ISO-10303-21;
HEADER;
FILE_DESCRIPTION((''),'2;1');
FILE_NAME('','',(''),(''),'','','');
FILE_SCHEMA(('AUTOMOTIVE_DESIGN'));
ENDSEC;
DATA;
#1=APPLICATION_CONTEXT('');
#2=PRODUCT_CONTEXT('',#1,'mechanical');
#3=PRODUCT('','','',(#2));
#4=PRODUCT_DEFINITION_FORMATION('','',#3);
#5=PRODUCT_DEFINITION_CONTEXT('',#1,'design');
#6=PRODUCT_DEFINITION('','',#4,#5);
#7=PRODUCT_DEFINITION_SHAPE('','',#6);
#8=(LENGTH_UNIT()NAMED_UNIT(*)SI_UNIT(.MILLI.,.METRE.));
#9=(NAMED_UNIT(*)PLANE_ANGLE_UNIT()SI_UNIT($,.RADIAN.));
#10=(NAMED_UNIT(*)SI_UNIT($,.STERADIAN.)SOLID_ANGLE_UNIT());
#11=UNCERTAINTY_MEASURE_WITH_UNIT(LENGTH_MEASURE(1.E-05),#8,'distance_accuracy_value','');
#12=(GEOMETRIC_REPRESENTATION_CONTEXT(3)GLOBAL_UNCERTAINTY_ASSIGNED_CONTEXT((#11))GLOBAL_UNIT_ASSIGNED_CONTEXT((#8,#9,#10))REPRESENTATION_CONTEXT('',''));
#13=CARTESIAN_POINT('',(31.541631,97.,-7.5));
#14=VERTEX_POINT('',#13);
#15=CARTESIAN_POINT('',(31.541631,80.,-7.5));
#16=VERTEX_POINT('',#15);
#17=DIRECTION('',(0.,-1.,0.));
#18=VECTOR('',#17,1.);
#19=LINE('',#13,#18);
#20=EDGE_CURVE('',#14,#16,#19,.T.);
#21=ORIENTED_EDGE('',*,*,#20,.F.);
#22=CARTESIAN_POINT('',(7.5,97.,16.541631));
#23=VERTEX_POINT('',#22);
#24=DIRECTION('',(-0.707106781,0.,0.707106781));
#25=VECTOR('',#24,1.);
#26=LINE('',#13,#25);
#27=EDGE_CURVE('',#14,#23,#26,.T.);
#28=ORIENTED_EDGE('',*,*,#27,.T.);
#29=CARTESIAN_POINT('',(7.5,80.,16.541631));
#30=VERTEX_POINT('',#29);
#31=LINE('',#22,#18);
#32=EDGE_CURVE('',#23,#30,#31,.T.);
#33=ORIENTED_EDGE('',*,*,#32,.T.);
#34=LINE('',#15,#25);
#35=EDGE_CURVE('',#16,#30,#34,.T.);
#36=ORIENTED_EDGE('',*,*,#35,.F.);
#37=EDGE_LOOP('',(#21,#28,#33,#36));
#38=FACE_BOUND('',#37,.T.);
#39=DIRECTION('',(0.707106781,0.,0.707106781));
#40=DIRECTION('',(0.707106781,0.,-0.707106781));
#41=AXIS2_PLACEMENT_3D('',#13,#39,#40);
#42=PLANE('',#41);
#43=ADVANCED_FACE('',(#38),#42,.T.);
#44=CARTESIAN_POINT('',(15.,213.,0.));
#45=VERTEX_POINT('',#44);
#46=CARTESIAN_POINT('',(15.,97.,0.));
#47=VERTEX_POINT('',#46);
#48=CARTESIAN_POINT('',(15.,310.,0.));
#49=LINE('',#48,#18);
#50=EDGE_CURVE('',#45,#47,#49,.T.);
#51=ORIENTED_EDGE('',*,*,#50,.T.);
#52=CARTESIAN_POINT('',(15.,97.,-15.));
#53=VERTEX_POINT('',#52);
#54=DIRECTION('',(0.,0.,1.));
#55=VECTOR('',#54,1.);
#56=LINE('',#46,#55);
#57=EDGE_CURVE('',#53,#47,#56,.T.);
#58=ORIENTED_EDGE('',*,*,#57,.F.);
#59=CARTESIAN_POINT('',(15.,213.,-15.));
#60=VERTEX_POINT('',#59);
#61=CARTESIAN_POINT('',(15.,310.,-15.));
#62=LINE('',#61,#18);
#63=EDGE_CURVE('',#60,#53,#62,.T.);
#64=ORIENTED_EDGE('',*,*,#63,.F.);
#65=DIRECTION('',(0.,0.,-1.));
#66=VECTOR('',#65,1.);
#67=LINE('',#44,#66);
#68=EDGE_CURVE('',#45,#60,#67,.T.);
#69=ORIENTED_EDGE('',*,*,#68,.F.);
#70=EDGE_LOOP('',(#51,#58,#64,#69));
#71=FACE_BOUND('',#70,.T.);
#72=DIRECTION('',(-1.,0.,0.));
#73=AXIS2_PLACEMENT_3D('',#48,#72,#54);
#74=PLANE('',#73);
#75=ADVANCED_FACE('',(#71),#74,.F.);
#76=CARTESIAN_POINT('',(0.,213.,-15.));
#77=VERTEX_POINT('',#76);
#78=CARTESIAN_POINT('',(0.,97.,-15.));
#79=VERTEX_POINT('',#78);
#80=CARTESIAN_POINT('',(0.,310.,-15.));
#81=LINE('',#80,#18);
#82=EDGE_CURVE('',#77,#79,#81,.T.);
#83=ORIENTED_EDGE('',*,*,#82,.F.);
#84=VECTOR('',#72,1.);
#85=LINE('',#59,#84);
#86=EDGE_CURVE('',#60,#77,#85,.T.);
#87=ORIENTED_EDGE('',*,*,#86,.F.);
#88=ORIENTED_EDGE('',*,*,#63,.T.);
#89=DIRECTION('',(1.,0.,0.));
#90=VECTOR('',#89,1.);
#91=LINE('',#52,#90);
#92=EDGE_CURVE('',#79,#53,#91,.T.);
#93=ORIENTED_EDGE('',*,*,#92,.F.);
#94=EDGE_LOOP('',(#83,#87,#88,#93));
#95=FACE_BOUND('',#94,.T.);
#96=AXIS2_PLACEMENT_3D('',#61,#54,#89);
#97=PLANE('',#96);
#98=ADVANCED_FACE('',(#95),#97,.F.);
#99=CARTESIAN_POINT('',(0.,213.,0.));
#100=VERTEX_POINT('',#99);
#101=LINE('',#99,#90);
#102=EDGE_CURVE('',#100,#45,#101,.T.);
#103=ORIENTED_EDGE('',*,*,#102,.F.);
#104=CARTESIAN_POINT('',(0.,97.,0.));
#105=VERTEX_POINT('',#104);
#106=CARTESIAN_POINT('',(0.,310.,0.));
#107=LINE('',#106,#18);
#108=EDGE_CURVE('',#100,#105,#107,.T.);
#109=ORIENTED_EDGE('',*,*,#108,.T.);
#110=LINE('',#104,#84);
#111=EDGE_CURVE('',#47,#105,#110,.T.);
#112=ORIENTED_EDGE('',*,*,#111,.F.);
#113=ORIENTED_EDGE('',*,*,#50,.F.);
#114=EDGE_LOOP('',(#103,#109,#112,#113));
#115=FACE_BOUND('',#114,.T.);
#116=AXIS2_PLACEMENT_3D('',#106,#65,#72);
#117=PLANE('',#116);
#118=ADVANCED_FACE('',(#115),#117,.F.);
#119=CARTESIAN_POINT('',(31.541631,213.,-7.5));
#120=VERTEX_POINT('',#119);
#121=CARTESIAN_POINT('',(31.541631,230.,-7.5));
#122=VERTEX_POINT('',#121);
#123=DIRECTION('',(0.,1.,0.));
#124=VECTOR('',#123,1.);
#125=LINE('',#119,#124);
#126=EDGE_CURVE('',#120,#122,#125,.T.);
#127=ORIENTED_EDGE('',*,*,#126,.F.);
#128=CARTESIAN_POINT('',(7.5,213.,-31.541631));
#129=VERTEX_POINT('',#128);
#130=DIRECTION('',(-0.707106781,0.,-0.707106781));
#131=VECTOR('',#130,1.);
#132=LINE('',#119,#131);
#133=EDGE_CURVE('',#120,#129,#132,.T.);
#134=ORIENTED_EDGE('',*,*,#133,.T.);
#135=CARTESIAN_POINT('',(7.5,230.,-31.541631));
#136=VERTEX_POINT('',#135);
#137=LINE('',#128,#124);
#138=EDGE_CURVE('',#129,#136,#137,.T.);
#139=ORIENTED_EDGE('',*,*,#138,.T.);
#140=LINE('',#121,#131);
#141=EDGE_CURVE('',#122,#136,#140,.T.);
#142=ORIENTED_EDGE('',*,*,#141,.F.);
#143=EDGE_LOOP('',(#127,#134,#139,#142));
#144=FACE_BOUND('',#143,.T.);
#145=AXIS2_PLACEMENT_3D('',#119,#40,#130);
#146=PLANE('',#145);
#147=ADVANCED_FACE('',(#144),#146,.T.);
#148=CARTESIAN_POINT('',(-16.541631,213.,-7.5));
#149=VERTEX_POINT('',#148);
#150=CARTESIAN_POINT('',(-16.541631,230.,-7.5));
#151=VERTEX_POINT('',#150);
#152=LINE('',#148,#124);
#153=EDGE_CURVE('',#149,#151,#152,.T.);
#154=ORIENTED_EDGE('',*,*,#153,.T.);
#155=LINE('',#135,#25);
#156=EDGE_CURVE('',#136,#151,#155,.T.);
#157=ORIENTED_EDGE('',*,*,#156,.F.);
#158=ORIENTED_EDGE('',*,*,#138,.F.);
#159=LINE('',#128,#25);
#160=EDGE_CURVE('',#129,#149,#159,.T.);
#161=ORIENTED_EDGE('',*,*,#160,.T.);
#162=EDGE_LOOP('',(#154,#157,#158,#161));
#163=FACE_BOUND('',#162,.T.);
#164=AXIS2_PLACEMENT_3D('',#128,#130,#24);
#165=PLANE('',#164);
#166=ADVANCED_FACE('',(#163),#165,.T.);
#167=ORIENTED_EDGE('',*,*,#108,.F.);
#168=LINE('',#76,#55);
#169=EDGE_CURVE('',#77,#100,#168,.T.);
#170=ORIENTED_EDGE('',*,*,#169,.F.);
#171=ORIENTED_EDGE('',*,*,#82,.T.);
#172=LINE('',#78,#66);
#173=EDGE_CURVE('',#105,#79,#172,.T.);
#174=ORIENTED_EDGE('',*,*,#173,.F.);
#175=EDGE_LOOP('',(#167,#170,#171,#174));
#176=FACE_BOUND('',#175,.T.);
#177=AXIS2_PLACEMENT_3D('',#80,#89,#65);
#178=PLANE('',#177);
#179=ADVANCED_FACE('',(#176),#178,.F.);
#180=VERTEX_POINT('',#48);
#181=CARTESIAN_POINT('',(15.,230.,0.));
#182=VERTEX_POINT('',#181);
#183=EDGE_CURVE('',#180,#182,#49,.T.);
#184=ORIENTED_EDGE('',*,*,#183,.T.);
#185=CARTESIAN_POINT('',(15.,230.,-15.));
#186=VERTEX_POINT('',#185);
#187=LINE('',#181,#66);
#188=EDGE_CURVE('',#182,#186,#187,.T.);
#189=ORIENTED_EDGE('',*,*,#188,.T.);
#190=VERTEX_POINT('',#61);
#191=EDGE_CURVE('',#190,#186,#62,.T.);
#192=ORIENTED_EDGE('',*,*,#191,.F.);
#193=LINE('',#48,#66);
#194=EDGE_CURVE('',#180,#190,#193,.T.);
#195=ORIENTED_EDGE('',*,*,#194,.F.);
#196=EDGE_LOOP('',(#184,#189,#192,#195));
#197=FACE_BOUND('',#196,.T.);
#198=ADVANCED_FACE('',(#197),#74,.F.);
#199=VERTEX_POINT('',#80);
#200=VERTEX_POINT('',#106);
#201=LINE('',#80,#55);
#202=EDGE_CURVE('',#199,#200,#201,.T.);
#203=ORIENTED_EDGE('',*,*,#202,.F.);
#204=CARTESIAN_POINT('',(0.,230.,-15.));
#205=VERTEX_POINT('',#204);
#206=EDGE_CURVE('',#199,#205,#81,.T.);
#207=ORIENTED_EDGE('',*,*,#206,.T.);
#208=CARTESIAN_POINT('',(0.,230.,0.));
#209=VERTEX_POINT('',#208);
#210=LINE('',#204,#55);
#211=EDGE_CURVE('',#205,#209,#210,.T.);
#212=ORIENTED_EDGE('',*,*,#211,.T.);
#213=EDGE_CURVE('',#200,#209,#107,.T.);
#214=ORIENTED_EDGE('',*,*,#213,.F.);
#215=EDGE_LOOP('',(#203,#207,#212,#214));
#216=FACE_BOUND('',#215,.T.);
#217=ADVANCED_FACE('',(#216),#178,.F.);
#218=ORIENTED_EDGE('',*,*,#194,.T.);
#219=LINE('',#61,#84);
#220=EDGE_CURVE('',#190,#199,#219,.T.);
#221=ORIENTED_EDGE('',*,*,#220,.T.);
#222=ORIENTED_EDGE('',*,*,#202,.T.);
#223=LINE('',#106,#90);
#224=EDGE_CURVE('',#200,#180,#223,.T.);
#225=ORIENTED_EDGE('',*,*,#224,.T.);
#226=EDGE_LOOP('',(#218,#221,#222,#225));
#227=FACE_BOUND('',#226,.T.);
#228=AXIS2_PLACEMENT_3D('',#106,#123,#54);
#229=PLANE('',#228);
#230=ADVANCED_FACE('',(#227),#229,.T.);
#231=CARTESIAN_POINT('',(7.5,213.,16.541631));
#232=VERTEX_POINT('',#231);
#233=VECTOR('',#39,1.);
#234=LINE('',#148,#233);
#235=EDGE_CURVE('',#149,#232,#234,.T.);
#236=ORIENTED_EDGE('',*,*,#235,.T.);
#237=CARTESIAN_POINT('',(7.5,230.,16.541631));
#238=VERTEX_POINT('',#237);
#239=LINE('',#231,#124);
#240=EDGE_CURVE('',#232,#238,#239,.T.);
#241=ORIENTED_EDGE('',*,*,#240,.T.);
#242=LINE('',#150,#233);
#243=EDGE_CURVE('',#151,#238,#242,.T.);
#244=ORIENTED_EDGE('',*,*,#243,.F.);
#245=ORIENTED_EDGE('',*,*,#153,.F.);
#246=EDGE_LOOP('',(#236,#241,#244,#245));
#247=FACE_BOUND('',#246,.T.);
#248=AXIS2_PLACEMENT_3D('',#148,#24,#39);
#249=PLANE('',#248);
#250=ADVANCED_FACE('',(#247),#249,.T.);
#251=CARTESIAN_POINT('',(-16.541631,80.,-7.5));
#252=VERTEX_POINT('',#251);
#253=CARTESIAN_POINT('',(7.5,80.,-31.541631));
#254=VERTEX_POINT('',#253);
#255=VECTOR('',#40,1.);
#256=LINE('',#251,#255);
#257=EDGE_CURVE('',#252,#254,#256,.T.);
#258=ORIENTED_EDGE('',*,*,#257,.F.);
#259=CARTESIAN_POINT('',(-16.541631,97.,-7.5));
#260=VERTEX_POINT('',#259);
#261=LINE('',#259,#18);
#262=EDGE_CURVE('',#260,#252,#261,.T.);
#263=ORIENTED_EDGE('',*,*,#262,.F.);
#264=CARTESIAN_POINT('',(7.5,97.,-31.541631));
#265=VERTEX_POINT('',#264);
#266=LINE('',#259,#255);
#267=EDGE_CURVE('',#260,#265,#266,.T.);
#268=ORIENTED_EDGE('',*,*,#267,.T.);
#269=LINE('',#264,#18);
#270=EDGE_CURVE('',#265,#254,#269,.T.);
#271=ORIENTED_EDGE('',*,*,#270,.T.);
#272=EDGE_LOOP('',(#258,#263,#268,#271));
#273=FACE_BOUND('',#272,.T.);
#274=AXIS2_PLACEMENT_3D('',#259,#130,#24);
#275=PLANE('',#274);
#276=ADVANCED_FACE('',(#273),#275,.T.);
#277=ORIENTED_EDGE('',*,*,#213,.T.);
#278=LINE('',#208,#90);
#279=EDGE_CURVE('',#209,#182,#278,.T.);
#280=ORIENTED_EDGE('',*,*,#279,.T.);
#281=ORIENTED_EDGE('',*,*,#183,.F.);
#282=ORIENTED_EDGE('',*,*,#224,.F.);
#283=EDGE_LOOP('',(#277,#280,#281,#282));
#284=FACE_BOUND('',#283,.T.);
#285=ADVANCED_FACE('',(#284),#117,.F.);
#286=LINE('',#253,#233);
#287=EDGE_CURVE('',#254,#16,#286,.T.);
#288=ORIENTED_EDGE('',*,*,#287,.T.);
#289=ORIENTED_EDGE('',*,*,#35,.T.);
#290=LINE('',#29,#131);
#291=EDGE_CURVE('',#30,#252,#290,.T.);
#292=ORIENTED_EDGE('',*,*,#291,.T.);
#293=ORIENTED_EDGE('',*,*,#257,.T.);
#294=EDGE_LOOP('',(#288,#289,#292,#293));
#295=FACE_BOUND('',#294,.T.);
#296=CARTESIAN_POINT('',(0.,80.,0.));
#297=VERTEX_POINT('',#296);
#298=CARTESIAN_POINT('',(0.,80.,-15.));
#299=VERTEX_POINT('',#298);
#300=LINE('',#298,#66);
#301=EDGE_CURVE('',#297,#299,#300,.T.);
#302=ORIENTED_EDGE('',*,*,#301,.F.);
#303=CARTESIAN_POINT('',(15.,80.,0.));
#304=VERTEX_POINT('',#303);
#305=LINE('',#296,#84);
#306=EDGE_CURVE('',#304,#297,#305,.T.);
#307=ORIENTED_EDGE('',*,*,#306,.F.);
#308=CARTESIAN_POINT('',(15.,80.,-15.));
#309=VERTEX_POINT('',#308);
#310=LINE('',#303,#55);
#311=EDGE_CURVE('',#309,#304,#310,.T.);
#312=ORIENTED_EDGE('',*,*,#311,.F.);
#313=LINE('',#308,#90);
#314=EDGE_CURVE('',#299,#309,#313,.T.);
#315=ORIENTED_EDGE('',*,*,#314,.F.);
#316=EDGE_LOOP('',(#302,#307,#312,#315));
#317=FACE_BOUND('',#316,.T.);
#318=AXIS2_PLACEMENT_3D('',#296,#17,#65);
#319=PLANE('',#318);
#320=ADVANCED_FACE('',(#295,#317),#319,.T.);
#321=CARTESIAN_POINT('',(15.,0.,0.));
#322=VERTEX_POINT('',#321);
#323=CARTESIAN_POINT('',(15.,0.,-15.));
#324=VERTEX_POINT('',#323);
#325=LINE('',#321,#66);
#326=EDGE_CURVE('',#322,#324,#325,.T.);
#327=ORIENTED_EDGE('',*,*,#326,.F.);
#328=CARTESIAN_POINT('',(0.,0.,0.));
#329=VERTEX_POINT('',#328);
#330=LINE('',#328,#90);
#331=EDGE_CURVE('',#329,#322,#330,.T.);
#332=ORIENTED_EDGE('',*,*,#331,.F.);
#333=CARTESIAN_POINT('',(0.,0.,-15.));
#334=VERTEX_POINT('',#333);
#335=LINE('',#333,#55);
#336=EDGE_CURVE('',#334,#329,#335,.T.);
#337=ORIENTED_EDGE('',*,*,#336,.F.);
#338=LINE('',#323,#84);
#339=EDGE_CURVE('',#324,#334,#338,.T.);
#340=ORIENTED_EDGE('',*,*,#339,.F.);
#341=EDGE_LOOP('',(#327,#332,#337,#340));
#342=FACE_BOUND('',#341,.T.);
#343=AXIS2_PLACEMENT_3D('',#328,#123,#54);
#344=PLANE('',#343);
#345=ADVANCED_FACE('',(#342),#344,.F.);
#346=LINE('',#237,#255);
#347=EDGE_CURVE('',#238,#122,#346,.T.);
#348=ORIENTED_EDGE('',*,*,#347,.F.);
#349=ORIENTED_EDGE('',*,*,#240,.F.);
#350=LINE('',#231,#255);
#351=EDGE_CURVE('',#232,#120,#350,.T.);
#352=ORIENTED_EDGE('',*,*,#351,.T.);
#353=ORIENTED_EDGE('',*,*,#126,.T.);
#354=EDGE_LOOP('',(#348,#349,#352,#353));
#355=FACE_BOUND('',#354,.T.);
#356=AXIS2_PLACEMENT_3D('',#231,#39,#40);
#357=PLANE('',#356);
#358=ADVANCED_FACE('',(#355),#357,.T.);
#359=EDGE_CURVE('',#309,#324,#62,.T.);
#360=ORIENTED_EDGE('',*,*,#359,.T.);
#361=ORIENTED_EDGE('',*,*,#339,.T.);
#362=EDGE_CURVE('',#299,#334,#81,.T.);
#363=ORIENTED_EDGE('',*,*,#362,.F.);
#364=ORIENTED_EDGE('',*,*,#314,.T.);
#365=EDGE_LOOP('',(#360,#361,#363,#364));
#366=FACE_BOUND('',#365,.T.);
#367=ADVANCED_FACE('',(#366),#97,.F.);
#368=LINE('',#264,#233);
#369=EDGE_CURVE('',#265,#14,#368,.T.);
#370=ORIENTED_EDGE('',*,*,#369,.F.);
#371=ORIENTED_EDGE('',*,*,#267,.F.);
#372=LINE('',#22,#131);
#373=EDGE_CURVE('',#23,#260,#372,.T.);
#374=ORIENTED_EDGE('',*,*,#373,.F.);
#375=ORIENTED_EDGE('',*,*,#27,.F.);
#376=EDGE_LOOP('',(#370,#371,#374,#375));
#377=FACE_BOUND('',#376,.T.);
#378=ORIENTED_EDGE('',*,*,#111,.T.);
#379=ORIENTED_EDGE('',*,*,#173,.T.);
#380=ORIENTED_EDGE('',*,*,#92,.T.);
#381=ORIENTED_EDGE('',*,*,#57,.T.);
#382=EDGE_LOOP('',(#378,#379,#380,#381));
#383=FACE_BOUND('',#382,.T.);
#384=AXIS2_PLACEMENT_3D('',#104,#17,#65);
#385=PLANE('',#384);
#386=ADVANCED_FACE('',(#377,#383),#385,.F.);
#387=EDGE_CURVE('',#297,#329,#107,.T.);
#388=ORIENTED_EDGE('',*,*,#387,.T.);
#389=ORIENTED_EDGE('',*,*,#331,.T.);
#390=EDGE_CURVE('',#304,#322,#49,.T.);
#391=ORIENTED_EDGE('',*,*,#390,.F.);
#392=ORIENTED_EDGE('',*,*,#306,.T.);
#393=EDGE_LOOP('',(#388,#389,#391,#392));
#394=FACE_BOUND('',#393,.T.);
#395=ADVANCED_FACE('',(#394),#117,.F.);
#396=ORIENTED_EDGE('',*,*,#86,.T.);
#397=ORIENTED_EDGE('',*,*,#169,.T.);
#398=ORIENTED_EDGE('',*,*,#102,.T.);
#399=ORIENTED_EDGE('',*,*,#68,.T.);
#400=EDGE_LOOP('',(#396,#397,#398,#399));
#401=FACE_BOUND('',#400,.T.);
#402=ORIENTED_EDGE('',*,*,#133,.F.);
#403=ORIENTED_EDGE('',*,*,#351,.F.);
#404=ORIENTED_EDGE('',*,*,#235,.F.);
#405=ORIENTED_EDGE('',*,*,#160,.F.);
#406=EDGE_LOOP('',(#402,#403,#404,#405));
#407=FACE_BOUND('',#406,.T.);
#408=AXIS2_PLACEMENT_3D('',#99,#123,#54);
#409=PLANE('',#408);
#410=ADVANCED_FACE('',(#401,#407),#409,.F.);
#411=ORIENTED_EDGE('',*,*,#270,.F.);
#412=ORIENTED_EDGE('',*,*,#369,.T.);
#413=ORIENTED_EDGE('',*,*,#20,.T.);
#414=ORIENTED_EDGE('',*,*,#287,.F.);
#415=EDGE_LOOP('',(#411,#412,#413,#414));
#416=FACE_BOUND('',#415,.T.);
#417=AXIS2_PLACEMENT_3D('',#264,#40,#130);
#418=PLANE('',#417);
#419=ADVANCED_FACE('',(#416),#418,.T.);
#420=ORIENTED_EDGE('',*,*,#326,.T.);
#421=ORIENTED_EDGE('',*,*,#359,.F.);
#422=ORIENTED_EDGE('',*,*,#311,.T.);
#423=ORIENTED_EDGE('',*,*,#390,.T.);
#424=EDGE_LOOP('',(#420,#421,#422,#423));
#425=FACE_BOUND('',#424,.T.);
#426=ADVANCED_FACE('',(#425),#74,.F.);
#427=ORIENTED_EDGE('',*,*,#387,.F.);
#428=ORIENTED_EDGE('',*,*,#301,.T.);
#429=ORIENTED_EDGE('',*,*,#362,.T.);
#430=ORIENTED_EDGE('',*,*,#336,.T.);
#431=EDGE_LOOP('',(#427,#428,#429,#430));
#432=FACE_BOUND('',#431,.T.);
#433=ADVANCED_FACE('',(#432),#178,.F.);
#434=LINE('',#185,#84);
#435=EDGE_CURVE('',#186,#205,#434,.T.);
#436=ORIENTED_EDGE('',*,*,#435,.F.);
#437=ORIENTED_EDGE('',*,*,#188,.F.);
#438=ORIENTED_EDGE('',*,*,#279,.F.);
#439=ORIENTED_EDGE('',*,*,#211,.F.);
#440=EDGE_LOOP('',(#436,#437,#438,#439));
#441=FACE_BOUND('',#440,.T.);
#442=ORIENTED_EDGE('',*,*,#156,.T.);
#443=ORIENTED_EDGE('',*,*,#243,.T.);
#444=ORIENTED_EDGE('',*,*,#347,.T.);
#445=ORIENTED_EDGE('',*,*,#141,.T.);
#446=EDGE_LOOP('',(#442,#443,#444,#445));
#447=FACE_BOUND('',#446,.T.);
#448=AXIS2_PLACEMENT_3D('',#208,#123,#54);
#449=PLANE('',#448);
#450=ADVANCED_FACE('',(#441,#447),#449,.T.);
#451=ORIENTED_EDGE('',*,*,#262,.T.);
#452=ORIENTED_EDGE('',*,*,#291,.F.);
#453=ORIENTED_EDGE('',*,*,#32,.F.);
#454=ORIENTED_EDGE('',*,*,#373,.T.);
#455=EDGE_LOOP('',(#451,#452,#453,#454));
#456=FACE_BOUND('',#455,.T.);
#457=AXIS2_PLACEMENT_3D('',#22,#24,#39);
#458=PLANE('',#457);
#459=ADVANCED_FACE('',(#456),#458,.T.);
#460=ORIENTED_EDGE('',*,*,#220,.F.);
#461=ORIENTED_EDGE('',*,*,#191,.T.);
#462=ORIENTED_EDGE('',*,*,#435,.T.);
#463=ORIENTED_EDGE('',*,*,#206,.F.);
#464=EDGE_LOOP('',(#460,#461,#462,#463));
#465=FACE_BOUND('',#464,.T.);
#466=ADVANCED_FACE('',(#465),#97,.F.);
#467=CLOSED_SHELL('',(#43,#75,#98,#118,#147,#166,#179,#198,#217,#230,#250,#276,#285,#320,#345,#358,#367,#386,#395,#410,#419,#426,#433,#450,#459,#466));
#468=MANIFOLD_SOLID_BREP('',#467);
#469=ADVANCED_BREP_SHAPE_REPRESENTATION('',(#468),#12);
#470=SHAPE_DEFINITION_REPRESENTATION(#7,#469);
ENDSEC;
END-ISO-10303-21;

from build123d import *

# Parameters (mm, degrees)
SKETCH_1_W      = 15
SKETCH_1_H      = 15
EXTRUDE_1_DEPTH = 310
EXTRUDE_3_DEPTH = 17
EXTRUDE_4_DEPTH = 17


with BuildPart() as part:
    # 草图1 → 凸台-拉伸1 (new body)
    with BuildSketch(Plane(origin=(0, 0, 0), x_dir=(1, 0, 0), z_dir=(0, 1, 0))):
        with Locations((7.5, 7.5)):
            Rectangle(SKETCH_1_W, SKETCH_1_H)
    extrude(amount=EXTRUDE_1_DEPTH)

    # 草图3 → 凸台-拉伸3 (add)
    with BuildSketch(Plane(origin=(0, 80, 0), x_dir=(-1, 0, 0), z_dir=(0, -1, 0))):
        Polygon((-7.5, 31.54163056), (-31.54163056, 7.5), (-7.5, -16.54163056), (16.54163056, 7.5), align=None)
    extrude(amount=-EXTRUDE_3_DEPTH)

    # 草图4 → 凸台-拉伸4 (add)
    with BuildSketch(Plane(origin=(0, 230, 0), x_dir=(1, 0, 0), z_dir=(0, 1, 0))):
        Polygon((7.5, 31.54163056), (-16.54163056, 7.5), (7.5, -16.54163056), (31.54163056, 7.5), align=None)
    extrude(amount=-EXTRUDE_4_DEPTH)


solid = part.part
